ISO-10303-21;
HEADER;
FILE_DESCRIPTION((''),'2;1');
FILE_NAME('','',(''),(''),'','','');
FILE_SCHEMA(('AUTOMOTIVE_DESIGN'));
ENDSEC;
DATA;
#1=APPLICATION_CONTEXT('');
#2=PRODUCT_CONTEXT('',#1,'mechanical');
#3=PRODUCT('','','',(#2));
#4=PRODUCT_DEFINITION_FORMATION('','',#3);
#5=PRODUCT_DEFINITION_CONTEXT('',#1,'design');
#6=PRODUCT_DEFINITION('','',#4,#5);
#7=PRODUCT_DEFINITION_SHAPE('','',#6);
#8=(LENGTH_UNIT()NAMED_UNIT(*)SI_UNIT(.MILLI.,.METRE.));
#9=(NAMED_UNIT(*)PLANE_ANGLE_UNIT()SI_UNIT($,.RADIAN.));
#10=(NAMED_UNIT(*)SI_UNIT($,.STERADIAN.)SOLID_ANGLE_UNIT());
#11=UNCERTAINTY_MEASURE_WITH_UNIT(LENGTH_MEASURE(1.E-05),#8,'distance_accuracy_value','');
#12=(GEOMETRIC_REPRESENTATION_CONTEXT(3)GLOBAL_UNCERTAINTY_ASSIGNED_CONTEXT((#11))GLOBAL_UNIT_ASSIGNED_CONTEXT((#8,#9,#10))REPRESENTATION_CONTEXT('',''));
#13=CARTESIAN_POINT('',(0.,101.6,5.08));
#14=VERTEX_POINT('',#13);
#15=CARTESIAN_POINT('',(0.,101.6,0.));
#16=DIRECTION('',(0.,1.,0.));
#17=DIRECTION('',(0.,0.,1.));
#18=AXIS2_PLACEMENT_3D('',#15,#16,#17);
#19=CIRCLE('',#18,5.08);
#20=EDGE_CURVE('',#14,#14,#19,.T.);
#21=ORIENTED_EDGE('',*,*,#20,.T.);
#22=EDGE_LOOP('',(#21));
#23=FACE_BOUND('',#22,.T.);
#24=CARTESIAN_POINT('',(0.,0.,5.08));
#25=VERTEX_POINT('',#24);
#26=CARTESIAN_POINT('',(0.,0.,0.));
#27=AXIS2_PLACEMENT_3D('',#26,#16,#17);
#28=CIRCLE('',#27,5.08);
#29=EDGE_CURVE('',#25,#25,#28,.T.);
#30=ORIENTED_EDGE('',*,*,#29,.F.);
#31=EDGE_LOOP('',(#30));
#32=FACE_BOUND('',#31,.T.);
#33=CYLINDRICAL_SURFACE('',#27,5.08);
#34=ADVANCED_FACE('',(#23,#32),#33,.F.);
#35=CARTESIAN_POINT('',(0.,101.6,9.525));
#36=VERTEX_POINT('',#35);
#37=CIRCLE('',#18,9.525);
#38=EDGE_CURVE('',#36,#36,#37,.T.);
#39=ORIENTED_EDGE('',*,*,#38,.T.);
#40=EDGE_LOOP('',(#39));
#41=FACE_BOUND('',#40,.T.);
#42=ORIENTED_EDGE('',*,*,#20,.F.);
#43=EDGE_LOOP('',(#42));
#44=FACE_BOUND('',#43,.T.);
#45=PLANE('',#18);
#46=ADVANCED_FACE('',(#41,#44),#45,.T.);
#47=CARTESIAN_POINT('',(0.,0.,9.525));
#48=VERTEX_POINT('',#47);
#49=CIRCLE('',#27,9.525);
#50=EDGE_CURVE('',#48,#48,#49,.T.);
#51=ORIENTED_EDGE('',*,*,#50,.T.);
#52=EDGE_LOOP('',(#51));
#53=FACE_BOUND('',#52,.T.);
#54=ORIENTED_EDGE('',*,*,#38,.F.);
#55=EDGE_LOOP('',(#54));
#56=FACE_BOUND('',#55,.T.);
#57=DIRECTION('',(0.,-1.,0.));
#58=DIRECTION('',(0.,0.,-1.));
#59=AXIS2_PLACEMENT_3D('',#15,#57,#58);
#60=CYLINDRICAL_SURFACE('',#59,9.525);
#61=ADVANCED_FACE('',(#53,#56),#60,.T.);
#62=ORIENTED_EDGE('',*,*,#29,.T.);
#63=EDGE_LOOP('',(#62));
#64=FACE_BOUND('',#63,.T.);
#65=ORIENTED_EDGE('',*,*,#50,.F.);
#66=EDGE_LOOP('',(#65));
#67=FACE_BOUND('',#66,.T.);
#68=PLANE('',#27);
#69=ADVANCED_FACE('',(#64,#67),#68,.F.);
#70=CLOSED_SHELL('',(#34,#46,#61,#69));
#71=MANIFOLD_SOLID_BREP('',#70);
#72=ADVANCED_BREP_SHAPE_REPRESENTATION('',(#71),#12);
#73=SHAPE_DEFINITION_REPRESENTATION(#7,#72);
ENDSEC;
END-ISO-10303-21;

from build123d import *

# Parameters (mm, degrees)
SKETCH2_R           = 9.525
BOSS_EXTRUDE1_DEPTH = 101.6
SKETCH3_R           = 5.08
CUT_EXTRUDE1_DEPTH  = 102.6


with BuildPart() as part:
    # Sketch2 → Boss-Extrude1 (new body)
    with BuildSketch(Plane(origin=(0, 0, 0), x_dir=(1, 0, 0), z_dir=(0, 1, 0))):
        Circle(SKETCH2_R)
    extrude(amount=BOSS_EXTRUDE1_DEPTH)

    # Sketch3 → Cut-Extrude1 (cut, through all)
    with BuildSketch(Plane(origin=(0, 101.6, 0), x_dir=(1, 0, 0), z_dir=(0, 1, 0))):
        Circle(SKETCH3_R)
    extrude(amount=-CUT_EXTRUDE1_DEPTH, mode=Mode.SUBTRACT)


solid = part.part
